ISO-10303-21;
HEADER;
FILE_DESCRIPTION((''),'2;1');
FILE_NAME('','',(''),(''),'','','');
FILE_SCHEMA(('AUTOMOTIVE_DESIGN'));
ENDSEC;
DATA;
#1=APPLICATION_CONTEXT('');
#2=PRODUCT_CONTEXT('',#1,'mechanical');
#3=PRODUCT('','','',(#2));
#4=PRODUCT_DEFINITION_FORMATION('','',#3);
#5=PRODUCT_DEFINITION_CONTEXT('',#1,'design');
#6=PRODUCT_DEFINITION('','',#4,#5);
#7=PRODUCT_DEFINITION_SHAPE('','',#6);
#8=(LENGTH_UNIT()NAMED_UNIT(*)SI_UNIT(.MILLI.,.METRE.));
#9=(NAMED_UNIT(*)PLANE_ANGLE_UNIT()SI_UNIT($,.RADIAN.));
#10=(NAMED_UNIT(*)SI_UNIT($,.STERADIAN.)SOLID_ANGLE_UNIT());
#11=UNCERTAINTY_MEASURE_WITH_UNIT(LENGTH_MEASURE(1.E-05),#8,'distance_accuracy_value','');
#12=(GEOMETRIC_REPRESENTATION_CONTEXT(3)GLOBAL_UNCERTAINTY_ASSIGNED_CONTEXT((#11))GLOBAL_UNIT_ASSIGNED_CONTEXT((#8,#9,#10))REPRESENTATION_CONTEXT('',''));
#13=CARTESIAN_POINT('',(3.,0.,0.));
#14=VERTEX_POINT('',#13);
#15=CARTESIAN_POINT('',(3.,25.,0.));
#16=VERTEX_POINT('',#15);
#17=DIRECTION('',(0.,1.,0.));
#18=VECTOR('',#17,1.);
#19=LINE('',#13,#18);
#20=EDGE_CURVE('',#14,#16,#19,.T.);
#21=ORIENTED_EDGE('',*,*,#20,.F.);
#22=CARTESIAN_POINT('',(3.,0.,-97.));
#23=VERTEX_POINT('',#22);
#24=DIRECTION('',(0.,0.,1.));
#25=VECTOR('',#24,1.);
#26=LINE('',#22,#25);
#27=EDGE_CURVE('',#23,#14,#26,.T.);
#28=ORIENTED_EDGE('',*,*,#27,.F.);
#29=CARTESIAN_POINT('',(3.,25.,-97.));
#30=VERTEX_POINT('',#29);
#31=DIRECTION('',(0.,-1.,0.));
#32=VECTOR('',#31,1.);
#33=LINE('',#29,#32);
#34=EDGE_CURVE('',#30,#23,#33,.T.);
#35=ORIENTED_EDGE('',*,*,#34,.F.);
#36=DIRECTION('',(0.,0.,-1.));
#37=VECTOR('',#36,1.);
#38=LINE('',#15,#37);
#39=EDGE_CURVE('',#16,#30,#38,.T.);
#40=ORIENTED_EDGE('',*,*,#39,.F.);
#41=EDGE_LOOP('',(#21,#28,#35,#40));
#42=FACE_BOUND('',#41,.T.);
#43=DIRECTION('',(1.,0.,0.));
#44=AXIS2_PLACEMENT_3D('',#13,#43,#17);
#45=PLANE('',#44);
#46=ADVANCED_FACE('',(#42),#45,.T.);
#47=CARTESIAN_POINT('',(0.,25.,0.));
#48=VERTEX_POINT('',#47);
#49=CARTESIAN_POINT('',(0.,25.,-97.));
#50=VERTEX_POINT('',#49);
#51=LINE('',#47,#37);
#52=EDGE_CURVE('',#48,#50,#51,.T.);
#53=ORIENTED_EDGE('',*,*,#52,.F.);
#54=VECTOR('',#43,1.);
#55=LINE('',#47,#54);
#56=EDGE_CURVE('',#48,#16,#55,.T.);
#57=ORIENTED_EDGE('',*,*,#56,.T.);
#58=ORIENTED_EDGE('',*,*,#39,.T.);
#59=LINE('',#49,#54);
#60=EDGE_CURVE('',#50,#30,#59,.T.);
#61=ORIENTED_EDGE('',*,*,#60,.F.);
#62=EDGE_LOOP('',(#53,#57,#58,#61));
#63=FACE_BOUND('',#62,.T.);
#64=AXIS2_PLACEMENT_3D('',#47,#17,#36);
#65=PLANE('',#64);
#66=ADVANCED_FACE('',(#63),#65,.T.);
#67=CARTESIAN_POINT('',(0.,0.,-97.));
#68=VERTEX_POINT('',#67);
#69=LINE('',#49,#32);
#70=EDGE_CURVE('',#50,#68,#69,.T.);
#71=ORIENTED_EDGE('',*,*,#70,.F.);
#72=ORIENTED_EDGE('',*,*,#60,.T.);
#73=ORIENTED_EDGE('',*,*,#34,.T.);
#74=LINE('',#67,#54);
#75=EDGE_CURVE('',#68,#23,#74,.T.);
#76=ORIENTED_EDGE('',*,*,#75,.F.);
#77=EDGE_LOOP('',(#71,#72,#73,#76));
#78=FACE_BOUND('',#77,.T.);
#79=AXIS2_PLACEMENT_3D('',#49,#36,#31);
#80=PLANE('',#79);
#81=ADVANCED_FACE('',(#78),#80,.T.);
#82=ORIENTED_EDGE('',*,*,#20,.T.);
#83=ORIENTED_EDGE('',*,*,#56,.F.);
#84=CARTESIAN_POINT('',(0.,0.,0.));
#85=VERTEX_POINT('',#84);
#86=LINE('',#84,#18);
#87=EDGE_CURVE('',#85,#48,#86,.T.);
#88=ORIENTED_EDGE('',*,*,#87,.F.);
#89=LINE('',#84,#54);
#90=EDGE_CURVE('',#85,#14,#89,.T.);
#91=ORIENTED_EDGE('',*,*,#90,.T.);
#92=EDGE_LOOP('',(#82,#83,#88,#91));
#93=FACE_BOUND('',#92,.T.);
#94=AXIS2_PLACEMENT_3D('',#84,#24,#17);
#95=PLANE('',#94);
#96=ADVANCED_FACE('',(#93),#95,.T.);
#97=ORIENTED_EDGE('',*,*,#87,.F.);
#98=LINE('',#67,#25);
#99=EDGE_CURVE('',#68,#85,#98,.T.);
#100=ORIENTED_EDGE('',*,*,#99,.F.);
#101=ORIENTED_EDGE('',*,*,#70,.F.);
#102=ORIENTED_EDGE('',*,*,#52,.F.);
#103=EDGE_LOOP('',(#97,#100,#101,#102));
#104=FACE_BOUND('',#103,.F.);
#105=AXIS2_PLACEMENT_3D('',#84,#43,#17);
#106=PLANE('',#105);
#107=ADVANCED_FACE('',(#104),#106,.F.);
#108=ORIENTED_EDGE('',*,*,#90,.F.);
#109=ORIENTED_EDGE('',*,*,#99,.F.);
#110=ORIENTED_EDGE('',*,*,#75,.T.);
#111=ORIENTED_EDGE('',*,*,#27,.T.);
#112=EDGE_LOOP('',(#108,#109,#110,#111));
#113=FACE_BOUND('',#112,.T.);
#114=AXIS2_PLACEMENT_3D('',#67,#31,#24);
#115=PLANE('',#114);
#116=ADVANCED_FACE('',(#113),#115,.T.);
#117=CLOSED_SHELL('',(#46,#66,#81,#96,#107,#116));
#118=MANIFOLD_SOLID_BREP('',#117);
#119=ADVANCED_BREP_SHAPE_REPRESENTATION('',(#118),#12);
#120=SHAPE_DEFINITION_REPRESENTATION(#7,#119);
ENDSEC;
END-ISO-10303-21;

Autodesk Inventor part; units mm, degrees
ref_plane "YZ Plane" through (0, 0, 0) normal (1, 0, 0) x (0, 1, 0)
ref_plane "XZ Plane" through (0, 0, 0) normal (0, 1, 0) x (-1, 0, 0)
ref_plane "XY Plane" through (0, 0, 0) normal (0, 0, 1) x (1, 0, 0)
sketch "Sketch1" plane through (0, 0, 0) normal (1, 0, 0) x (0, 1, 0)
  line L0 (0, 0) -> (25, 0)
  line L1 (25, 0) -> (25, -97)
  line L2 (25, -97) -> (0, -97)
  line L3 (0, -97) -> (0, 0)
  dimension "d0" = 25
  dimension "d1" = 97
extrude "Extrusion1" add sketch "Sketch1" along normal blind 3
equation "\"BendRadius\" = Thickness"
equation "\"BendReliefWidth\" = Thickness"
equation "\"BendReliefDepth\" = 0.5 * Thickness"
equation "\"CornerReliefSize\" = 4 * Thickness"
equation "\"MinimumRemnant\" = 2 * Thickness"
equation "\"TransitionRadius\" = BendRadius"
equation "\"JacobiRadiusSize\" = BendRadius"
equation "\"GapSize\" = Thickness"
equation "\"Thickness\" = 3.048"
properties part number "slot small"
